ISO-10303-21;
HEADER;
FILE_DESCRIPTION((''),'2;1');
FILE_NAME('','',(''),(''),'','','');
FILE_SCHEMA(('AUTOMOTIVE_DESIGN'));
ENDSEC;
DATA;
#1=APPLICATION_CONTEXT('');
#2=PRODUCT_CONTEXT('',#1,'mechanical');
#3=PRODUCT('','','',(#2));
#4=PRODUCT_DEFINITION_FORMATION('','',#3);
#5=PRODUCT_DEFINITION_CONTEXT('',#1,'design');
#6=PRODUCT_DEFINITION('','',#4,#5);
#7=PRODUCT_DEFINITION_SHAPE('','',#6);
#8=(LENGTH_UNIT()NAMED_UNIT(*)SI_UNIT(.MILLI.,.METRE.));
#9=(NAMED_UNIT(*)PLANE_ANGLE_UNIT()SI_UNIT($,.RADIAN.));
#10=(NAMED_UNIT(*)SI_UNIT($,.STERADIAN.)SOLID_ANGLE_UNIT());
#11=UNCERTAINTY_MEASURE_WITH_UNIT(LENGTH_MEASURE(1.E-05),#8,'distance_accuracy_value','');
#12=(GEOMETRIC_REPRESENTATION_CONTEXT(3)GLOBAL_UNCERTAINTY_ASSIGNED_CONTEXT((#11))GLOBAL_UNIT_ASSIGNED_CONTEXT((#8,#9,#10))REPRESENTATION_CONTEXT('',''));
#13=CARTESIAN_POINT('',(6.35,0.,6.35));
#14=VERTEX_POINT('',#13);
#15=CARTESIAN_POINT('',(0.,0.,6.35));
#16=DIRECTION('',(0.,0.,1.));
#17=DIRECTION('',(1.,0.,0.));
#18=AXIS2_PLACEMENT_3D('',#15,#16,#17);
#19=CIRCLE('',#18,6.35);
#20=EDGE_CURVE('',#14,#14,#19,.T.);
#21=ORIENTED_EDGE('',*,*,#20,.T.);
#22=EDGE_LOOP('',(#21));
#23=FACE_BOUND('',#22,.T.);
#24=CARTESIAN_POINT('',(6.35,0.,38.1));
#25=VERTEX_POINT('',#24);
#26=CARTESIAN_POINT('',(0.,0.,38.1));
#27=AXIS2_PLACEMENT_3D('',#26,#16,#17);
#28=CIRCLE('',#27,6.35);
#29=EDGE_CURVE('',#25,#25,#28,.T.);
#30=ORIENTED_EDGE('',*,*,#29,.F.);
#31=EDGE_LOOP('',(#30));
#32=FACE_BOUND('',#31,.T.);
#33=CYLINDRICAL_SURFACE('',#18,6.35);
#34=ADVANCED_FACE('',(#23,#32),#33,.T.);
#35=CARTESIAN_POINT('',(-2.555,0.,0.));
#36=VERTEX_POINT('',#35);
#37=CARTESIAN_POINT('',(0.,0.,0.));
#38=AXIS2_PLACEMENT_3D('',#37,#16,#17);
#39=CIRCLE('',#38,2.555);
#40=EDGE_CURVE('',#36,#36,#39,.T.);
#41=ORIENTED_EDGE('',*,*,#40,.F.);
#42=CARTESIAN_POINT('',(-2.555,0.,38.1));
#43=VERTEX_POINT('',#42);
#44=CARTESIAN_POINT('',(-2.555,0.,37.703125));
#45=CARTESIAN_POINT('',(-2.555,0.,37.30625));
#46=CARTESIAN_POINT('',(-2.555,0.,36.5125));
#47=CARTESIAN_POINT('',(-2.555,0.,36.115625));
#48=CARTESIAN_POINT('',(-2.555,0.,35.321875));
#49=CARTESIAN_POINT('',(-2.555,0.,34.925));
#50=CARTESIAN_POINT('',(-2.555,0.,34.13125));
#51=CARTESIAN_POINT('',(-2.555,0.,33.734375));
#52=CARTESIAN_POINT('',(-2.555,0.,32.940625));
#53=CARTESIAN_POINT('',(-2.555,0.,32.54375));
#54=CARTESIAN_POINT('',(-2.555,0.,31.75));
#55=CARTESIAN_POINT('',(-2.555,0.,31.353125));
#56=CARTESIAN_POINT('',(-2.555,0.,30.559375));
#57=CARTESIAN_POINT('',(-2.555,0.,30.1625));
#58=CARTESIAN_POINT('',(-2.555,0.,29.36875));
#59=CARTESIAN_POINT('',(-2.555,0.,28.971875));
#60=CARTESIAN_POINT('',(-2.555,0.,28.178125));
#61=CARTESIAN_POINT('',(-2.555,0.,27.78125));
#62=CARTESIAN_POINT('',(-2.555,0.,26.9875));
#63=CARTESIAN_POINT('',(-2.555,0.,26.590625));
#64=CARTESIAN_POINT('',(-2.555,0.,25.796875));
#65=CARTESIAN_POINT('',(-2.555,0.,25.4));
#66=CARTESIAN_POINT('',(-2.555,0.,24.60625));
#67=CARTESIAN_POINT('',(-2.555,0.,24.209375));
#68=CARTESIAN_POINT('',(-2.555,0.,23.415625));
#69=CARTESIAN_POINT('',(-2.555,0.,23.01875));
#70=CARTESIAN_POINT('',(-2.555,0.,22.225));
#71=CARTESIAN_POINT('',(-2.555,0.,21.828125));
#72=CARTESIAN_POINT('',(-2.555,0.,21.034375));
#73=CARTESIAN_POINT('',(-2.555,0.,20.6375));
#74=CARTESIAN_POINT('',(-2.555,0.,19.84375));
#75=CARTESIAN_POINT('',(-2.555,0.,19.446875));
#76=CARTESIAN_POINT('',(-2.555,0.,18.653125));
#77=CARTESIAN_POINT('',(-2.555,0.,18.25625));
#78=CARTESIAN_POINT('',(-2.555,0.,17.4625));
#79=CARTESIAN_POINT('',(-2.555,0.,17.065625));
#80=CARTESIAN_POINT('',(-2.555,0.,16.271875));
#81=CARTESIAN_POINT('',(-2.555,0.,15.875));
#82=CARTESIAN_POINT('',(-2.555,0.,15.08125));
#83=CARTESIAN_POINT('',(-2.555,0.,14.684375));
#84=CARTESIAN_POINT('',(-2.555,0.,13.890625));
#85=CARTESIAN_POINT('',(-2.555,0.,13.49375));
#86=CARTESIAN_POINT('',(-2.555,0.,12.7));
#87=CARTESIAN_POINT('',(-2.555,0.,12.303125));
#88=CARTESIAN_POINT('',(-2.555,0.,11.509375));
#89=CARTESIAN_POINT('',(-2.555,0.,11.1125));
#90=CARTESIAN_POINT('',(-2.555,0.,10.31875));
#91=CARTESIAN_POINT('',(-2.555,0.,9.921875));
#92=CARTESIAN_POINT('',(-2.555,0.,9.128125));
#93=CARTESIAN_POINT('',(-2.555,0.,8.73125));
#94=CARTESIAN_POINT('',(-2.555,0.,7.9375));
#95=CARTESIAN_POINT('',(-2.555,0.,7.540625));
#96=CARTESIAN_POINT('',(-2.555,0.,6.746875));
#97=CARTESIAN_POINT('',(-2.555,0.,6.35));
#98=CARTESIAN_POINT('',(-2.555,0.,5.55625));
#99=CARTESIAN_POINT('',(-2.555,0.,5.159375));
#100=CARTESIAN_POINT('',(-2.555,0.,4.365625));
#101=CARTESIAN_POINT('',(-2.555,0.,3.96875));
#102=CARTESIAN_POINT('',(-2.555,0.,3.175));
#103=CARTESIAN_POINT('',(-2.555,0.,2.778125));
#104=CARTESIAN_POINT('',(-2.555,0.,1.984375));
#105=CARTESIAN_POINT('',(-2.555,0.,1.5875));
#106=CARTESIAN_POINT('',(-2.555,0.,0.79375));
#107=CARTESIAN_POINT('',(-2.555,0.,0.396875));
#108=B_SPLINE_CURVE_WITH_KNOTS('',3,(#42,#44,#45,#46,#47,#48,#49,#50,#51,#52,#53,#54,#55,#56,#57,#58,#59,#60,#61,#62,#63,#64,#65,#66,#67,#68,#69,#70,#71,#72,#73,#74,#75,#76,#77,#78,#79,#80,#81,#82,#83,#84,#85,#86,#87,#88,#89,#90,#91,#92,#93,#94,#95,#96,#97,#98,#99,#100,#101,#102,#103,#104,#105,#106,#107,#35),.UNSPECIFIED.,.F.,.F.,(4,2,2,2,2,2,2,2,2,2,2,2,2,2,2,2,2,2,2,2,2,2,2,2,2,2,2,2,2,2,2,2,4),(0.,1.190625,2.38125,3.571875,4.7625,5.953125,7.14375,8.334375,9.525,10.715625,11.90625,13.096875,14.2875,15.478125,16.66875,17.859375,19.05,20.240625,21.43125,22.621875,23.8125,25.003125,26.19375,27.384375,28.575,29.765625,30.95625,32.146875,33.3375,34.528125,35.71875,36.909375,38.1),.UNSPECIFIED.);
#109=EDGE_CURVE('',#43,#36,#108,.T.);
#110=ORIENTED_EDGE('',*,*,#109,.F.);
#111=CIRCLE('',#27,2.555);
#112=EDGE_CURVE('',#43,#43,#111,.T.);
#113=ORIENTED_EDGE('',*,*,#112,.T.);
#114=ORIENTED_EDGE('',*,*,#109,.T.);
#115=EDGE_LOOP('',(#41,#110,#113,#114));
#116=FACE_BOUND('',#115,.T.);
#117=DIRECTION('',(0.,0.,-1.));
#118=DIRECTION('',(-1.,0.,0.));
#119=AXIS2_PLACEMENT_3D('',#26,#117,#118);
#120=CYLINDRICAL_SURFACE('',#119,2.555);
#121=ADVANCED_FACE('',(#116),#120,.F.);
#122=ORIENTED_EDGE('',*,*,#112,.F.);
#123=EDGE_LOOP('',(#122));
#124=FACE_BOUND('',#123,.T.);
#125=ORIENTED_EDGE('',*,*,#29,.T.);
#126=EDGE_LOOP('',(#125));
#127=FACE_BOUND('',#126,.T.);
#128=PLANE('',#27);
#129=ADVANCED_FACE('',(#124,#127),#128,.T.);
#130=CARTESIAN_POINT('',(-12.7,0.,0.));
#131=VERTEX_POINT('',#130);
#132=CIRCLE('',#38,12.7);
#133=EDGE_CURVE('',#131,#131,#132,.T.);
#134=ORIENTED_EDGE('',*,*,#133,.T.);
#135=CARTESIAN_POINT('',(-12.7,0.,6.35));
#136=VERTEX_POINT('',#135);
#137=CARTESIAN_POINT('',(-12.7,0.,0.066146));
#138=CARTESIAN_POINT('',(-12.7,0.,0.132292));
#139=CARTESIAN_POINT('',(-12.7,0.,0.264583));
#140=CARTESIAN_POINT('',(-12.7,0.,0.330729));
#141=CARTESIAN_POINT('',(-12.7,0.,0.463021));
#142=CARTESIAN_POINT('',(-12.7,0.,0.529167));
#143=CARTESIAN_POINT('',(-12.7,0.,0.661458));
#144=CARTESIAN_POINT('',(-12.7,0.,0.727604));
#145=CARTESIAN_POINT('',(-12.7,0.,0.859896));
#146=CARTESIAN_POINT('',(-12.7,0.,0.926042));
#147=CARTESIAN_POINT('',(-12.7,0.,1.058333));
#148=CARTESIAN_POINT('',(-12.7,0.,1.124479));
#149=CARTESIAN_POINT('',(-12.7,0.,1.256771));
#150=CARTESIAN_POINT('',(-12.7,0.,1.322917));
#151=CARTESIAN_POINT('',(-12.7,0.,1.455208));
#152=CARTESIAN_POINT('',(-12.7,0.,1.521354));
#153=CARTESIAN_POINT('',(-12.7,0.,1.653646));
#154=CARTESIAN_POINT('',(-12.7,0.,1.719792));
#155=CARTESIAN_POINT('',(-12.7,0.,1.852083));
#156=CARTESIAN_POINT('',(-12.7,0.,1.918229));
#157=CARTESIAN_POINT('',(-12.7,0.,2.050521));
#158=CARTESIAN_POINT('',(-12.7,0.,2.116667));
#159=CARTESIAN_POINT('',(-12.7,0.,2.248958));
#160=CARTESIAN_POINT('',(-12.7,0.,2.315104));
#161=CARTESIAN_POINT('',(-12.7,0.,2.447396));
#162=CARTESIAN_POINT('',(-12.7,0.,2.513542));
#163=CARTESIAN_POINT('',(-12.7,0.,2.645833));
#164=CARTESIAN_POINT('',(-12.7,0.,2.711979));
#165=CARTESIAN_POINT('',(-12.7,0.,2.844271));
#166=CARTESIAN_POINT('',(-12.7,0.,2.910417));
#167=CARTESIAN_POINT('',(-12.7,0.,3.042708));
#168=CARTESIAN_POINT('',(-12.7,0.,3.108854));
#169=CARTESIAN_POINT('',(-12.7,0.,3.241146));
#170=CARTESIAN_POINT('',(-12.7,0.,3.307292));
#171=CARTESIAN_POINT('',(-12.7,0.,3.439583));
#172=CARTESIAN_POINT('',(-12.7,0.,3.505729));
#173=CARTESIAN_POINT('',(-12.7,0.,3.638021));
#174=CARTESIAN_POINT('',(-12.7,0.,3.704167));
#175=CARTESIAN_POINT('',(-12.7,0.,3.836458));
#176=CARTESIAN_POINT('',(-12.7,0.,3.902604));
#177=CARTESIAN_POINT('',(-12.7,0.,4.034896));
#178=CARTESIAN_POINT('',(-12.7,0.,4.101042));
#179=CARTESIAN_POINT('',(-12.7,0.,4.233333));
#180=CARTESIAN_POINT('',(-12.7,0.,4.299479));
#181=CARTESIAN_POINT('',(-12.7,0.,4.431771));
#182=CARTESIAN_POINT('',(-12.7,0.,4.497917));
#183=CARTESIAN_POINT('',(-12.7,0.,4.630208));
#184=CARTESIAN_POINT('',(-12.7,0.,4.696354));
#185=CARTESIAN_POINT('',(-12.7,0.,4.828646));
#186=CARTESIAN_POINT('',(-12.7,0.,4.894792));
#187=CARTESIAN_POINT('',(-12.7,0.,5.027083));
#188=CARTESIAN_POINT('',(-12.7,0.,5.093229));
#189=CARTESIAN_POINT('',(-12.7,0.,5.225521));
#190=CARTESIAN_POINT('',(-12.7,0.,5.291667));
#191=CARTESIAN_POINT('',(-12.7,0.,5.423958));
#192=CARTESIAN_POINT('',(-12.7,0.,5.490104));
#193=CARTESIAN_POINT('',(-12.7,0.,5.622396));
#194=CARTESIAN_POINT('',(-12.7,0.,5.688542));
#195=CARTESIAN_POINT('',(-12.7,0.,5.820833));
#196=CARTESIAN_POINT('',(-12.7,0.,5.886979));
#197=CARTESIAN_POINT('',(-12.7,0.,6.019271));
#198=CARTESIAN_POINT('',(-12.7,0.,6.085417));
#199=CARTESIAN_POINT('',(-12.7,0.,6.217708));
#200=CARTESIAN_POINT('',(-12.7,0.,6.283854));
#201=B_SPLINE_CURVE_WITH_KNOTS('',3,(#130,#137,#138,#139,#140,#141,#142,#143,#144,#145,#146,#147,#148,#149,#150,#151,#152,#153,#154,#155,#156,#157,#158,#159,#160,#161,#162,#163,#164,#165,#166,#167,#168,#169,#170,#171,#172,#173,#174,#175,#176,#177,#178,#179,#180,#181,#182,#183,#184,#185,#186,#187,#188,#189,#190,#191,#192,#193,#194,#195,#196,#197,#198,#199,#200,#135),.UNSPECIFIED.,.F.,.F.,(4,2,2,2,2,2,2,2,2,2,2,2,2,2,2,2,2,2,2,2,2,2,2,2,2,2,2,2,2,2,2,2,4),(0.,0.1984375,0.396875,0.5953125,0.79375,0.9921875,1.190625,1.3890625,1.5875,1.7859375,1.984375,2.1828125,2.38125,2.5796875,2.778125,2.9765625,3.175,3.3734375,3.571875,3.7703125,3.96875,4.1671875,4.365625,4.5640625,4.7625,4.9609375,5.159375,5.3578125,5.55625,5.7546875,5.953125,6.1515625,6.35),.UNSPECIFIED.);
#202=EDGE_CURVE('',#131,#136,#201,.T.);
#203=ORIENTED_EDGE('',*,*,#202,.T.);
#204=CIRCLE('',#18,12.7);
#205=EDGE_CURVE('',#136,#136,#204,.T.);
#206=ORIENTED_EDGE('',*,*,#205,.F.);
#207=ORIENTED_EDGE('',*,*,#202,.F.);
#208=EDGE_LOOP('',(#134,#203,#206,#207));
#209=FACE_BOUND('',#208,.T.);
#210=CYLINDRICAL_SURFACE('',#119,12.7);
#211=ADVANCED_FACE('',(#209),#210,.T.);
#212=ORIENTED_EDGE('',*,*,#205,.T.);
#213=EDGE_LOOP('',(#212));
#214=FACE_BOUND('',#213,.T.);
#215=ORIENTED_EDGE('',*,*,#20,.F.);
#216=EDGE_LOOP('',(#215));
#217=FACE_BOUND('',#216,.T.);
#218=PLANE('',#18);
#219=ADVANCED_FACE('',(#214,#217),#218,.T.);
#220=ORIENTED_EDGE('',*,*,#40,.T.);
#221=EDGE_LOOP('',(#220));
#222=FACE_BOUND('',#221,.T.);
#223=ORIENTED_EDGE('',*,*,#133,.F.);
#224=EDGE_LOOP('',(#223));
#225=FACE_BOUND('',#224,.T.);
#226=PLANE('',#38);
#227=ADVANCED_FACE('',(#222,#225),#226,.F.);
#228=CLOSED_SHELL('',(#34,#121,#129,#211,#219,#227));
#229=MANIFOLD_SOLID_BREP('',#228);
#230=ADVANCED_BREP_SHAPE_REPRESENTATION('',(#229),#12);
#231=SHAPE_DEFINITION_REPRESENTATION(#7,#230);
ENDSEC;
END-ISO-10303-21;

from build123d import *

# Parameters (mm, degrees)
SKETCH1_R           = 12.7
SKETCH1_R_2         = 2.555
BOSS_EXTRUDE1_DEPTH = 38.1
CUT_EXTRUDE1_START  = -31.75
SKETCH2_R           = 12.7
SKETCH2_R_2         = 6.35
CUT_EXTRUDE1_DEPTH  = 31.75


with BuildPart() as part:
    # Sketch1 → Boss-Extrude1 (new body)
    with BuildSketch(Plane.XY):
        with Locations(Location((0, 0, 0), (0, 0, 180))):
            Circle(SKETCH1_R)
        with Locations(Location((0, 0, 0), (0, 0, 180))):
            Circle(SKETCH1_R_2, mode=Mode.SUBTRACT)
    extrude(amount=BOSS_EXTRUDE1_DEPTH)

    # Sketch2 → Cut-Extrude1 (cut)
    with BuildSketch(Plane.XY.offset(38.1).offset(CUT_EXTRUDE1_START)):
        with Locations(Location((0, 0, 0), (0, 0, 180))):
            Circle(SKETCH2_R)
        Circle(SKETCH2_R_2, mode=Mode.SUBTRACT)
    extrude(amount=CUT_EXTRUDE1_DEPTH, mode=Mode.SUBTRACT)


solid = part.part
